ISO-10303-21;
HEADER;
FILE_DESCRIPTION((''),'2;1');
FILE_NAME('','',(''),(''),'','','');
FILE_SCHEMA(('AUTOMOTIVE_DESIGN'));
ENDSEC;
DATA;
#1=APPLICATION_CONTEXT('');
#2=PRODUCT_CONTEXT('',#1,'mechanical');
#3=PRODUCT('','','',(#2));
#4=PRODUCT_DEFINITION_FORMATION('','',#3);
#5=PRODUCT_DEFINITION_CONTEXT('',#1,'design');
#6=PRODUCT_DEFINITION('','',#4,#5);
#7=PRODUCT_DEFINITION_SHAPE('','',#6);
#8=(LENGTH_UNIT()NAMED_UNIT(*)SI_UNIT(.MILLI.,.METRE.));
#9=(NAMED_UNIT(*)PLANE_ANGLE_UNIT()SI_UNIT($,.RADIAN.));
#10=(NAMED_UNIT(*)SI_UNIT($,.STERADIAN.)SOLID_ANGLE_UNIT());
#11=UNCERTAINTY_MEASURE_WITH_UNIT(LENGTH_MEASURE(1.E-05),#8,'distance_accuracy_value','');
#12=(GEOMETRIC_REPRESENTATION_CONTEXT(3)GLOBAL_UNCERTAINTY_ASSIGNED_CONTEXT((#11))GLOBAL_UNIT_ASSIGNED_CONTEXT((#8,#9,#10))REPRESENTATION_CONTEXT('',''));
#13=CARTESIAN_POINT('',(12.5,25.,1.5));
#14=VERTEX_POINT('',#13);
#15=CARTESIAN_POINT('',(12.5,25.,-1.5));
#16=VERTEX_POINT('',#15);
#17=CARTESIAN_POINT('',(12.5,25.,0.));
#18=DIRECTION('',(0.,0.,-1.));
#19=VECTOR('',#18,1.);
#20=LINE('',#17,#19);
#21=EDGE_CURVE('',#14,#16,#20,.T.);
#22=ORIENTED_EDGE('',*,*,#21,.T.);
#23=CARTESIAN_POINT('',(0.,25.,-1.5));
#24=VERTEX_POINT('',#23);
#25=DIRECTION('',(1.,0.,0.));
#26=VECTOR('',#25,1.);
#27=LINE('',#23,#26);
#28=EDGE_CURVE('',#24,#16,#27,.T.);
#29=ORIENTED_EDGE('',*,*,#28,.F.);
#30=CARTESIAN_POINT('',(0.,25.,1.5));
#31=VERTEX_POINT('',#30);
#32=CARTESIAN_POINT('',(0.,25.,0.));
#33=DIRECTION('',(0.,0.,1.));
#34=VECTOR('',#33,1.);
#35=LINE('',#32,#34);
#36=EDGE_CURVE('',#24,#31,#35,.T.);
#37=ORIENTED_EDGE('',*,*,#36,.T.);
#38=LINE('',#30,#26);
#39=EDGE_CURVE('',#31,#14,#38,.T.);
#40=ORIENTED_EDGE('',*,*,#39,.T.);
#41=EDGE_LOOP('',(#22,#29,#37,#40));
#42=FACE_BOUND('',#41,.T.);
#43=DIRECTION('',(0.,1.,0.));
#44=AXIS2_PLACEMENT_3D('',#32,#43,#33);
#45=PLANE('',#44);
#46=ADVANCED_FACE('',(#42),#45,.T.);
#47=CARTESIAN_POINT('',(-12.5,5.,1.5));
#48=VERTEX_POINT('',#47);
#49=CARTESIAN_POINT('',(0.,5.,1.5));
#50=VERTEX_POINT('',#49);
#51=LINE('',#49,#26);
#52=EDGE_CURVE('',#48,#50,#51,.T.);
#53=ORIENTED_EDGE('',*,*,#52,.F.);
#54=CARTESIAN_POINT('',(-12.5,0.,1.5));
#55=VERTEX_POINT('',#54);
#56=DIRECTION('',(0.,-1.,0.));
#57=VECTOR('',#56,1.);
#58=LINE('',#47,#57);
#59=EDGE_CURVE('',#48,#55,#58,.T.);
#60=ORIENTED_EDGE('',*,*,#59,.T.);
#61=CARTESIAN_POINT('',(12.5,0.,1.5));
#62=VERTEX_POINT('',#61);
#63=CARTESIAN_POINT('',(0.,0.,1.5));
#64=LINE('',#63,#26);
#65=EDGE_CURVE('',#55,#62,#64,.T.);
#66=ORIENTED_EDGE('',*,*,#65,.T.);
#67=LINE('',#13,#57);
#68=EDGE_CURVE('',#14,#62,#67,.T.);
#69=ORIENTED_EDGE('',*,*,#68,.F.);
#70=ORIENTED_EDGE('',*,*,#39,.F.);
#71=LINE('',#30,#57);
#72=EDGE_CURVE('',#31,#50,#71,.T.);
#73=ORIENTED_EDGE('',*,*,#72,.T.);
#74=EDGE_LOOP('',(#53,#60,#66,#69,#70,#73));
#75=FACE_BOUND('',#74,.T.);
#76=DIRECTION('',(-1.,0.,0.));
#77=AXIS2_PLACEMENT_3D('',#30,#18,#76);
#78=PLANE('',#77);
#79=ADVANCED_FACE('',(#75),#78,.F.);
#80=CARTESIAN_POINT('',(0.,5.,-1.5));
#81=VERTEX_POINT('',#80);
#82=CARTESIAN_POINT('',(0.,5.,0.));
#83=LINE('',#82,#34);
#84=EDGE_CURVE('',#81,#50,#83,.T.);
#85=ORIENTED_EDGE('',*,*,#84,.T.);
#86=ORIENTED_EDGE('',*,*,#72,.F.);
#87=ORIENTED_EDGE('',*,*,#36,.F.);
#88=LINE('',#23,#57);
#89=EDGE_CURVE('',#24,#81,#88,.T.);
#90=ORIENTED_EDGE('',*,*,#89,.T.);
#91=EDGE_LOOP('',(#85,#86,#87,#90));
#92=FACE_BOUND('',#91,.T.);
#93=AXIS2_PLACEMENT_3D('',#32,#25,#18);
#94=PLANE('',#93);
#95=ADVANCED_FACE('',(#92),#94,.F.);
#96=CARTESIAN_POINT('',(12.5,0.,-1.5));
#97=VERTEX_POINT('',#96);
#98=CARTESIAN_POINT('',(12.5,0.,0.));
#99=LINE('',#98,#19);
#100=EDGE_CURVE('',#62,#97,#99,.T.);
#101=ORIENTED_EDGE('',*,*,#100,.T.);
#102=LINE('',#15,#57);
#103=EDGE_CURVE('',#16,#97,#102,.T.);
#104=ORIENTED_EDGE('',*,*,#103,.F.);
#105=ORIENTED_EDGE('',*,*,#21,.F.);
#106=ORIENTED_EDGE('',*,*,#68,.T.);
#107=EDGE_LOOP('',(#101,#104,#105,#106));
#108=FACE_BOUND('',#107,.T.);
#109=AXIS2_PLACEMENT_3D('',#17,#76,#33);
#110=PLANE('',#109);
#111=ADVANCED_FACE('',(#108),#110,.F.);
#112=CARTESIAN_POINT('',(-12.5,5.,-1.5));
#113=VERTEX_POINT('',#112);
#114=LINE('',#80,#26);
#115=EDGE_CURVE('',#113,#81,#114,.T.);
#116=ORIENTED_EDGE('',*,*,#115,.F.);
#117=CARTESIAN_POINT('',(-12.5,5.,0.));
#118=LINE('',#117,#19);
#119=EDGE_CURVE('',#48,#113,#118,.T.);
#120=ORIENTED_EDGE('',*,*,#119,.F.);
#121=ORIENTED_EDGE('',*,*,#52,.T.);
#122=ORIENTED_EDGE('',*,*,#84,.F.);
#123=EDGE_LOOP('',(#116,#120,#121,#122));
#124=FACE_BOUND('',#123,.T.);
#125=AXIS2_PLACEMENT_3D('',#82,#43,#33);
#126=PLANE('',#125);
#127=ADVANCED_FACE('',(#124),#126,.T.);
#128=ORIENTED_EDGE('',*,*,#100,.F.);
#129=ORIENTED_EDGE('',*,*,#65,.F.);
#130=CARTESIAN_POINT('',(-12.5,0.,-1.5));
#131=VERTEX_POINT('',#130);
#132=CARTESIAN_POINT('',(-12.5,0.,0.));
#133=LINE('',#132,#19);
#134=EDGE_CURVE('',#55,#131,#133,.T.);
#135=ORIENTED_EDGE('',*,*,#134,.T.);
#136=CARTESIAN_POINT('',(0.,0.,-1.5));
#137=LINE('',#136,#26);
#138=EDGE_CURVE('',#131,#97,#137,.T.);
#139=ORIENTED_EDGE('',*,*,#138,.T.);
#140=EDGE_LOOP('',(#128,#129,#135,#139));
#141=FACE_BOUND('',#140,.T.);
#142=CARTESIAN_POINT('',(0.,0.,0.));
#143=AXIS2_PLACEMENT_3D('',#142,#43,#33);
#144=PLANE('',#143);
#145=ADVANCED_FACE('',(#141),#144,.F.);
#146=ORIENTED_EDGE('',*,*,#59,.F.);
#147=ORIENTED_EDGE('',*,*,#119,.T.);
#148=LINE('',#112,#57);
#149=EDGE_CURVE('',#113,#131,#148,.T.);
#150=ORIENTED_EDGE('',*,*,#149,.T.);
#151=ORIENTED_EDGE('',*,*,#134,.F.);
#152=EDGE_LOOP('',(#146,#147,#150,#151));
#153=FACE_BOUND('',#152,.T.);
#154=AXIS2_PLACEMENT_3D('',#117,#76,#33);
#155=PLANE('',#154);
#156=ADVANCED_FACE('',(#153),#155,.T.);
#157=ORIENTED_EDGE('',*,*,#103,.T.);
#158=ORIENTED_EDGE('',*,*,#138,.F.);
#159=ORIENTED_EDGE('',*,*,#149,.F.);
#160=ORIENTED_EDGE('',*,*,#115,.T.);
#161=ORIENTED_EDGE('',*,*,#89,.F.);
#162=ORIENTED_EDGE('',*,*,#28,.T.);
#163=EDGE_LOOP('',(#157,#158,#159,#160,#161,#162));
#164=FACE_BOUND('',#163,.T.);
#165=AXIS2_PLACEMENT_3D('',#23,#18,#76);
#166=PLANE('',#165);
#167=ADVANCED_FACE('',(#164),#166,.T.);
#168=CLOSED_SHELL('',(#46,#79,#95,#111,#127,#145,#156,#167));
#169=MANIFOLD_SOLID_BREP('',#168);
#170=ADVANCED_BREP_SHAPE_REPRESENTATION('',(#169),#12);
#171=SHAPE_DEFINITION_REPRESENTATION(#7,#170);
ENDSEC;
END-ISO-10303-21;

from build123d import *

# Parameters (mm, degrees)
SKETCH1_W           = 12.5
SKETCH1_H           = 3
BOSS_EXTRUDE1_DEPTH = 25
SKETCH1_3_W         = 12.5
SKETCH1_3_H         = 3
BOSS_EXTRUDE2_DEPTH = 5


with BuildPart() as part:
    # Sketch1 → Boss-Extrude1 (new body)
    with BuildSketch(Plane(origin=(0, 0, 0), x_dir=(1, 0, 0), z_dir=(0, 1, 0))):
        with Locations((6.25, 0)):
            Rectangle(SKETCH1_W, SKETCH1_H)
    extrude(amount=BOSS_EXTRUDE1_DEPTH)

    # Sketch1<3> → Boss-Extrude2 (add)
    with BuildSketch(Plane(origin=(0, 0, 0), x_dir=(1, 0, 0), z_dir=(0, 1, 0))):
        with Locations((-6.25, 0)):
            Rectangle(SKETCH1_3_W, SKETCH1_3_H)
    extrude(amount=BOSS_EXTRUDE2_DEPTH)


solid = part.part
